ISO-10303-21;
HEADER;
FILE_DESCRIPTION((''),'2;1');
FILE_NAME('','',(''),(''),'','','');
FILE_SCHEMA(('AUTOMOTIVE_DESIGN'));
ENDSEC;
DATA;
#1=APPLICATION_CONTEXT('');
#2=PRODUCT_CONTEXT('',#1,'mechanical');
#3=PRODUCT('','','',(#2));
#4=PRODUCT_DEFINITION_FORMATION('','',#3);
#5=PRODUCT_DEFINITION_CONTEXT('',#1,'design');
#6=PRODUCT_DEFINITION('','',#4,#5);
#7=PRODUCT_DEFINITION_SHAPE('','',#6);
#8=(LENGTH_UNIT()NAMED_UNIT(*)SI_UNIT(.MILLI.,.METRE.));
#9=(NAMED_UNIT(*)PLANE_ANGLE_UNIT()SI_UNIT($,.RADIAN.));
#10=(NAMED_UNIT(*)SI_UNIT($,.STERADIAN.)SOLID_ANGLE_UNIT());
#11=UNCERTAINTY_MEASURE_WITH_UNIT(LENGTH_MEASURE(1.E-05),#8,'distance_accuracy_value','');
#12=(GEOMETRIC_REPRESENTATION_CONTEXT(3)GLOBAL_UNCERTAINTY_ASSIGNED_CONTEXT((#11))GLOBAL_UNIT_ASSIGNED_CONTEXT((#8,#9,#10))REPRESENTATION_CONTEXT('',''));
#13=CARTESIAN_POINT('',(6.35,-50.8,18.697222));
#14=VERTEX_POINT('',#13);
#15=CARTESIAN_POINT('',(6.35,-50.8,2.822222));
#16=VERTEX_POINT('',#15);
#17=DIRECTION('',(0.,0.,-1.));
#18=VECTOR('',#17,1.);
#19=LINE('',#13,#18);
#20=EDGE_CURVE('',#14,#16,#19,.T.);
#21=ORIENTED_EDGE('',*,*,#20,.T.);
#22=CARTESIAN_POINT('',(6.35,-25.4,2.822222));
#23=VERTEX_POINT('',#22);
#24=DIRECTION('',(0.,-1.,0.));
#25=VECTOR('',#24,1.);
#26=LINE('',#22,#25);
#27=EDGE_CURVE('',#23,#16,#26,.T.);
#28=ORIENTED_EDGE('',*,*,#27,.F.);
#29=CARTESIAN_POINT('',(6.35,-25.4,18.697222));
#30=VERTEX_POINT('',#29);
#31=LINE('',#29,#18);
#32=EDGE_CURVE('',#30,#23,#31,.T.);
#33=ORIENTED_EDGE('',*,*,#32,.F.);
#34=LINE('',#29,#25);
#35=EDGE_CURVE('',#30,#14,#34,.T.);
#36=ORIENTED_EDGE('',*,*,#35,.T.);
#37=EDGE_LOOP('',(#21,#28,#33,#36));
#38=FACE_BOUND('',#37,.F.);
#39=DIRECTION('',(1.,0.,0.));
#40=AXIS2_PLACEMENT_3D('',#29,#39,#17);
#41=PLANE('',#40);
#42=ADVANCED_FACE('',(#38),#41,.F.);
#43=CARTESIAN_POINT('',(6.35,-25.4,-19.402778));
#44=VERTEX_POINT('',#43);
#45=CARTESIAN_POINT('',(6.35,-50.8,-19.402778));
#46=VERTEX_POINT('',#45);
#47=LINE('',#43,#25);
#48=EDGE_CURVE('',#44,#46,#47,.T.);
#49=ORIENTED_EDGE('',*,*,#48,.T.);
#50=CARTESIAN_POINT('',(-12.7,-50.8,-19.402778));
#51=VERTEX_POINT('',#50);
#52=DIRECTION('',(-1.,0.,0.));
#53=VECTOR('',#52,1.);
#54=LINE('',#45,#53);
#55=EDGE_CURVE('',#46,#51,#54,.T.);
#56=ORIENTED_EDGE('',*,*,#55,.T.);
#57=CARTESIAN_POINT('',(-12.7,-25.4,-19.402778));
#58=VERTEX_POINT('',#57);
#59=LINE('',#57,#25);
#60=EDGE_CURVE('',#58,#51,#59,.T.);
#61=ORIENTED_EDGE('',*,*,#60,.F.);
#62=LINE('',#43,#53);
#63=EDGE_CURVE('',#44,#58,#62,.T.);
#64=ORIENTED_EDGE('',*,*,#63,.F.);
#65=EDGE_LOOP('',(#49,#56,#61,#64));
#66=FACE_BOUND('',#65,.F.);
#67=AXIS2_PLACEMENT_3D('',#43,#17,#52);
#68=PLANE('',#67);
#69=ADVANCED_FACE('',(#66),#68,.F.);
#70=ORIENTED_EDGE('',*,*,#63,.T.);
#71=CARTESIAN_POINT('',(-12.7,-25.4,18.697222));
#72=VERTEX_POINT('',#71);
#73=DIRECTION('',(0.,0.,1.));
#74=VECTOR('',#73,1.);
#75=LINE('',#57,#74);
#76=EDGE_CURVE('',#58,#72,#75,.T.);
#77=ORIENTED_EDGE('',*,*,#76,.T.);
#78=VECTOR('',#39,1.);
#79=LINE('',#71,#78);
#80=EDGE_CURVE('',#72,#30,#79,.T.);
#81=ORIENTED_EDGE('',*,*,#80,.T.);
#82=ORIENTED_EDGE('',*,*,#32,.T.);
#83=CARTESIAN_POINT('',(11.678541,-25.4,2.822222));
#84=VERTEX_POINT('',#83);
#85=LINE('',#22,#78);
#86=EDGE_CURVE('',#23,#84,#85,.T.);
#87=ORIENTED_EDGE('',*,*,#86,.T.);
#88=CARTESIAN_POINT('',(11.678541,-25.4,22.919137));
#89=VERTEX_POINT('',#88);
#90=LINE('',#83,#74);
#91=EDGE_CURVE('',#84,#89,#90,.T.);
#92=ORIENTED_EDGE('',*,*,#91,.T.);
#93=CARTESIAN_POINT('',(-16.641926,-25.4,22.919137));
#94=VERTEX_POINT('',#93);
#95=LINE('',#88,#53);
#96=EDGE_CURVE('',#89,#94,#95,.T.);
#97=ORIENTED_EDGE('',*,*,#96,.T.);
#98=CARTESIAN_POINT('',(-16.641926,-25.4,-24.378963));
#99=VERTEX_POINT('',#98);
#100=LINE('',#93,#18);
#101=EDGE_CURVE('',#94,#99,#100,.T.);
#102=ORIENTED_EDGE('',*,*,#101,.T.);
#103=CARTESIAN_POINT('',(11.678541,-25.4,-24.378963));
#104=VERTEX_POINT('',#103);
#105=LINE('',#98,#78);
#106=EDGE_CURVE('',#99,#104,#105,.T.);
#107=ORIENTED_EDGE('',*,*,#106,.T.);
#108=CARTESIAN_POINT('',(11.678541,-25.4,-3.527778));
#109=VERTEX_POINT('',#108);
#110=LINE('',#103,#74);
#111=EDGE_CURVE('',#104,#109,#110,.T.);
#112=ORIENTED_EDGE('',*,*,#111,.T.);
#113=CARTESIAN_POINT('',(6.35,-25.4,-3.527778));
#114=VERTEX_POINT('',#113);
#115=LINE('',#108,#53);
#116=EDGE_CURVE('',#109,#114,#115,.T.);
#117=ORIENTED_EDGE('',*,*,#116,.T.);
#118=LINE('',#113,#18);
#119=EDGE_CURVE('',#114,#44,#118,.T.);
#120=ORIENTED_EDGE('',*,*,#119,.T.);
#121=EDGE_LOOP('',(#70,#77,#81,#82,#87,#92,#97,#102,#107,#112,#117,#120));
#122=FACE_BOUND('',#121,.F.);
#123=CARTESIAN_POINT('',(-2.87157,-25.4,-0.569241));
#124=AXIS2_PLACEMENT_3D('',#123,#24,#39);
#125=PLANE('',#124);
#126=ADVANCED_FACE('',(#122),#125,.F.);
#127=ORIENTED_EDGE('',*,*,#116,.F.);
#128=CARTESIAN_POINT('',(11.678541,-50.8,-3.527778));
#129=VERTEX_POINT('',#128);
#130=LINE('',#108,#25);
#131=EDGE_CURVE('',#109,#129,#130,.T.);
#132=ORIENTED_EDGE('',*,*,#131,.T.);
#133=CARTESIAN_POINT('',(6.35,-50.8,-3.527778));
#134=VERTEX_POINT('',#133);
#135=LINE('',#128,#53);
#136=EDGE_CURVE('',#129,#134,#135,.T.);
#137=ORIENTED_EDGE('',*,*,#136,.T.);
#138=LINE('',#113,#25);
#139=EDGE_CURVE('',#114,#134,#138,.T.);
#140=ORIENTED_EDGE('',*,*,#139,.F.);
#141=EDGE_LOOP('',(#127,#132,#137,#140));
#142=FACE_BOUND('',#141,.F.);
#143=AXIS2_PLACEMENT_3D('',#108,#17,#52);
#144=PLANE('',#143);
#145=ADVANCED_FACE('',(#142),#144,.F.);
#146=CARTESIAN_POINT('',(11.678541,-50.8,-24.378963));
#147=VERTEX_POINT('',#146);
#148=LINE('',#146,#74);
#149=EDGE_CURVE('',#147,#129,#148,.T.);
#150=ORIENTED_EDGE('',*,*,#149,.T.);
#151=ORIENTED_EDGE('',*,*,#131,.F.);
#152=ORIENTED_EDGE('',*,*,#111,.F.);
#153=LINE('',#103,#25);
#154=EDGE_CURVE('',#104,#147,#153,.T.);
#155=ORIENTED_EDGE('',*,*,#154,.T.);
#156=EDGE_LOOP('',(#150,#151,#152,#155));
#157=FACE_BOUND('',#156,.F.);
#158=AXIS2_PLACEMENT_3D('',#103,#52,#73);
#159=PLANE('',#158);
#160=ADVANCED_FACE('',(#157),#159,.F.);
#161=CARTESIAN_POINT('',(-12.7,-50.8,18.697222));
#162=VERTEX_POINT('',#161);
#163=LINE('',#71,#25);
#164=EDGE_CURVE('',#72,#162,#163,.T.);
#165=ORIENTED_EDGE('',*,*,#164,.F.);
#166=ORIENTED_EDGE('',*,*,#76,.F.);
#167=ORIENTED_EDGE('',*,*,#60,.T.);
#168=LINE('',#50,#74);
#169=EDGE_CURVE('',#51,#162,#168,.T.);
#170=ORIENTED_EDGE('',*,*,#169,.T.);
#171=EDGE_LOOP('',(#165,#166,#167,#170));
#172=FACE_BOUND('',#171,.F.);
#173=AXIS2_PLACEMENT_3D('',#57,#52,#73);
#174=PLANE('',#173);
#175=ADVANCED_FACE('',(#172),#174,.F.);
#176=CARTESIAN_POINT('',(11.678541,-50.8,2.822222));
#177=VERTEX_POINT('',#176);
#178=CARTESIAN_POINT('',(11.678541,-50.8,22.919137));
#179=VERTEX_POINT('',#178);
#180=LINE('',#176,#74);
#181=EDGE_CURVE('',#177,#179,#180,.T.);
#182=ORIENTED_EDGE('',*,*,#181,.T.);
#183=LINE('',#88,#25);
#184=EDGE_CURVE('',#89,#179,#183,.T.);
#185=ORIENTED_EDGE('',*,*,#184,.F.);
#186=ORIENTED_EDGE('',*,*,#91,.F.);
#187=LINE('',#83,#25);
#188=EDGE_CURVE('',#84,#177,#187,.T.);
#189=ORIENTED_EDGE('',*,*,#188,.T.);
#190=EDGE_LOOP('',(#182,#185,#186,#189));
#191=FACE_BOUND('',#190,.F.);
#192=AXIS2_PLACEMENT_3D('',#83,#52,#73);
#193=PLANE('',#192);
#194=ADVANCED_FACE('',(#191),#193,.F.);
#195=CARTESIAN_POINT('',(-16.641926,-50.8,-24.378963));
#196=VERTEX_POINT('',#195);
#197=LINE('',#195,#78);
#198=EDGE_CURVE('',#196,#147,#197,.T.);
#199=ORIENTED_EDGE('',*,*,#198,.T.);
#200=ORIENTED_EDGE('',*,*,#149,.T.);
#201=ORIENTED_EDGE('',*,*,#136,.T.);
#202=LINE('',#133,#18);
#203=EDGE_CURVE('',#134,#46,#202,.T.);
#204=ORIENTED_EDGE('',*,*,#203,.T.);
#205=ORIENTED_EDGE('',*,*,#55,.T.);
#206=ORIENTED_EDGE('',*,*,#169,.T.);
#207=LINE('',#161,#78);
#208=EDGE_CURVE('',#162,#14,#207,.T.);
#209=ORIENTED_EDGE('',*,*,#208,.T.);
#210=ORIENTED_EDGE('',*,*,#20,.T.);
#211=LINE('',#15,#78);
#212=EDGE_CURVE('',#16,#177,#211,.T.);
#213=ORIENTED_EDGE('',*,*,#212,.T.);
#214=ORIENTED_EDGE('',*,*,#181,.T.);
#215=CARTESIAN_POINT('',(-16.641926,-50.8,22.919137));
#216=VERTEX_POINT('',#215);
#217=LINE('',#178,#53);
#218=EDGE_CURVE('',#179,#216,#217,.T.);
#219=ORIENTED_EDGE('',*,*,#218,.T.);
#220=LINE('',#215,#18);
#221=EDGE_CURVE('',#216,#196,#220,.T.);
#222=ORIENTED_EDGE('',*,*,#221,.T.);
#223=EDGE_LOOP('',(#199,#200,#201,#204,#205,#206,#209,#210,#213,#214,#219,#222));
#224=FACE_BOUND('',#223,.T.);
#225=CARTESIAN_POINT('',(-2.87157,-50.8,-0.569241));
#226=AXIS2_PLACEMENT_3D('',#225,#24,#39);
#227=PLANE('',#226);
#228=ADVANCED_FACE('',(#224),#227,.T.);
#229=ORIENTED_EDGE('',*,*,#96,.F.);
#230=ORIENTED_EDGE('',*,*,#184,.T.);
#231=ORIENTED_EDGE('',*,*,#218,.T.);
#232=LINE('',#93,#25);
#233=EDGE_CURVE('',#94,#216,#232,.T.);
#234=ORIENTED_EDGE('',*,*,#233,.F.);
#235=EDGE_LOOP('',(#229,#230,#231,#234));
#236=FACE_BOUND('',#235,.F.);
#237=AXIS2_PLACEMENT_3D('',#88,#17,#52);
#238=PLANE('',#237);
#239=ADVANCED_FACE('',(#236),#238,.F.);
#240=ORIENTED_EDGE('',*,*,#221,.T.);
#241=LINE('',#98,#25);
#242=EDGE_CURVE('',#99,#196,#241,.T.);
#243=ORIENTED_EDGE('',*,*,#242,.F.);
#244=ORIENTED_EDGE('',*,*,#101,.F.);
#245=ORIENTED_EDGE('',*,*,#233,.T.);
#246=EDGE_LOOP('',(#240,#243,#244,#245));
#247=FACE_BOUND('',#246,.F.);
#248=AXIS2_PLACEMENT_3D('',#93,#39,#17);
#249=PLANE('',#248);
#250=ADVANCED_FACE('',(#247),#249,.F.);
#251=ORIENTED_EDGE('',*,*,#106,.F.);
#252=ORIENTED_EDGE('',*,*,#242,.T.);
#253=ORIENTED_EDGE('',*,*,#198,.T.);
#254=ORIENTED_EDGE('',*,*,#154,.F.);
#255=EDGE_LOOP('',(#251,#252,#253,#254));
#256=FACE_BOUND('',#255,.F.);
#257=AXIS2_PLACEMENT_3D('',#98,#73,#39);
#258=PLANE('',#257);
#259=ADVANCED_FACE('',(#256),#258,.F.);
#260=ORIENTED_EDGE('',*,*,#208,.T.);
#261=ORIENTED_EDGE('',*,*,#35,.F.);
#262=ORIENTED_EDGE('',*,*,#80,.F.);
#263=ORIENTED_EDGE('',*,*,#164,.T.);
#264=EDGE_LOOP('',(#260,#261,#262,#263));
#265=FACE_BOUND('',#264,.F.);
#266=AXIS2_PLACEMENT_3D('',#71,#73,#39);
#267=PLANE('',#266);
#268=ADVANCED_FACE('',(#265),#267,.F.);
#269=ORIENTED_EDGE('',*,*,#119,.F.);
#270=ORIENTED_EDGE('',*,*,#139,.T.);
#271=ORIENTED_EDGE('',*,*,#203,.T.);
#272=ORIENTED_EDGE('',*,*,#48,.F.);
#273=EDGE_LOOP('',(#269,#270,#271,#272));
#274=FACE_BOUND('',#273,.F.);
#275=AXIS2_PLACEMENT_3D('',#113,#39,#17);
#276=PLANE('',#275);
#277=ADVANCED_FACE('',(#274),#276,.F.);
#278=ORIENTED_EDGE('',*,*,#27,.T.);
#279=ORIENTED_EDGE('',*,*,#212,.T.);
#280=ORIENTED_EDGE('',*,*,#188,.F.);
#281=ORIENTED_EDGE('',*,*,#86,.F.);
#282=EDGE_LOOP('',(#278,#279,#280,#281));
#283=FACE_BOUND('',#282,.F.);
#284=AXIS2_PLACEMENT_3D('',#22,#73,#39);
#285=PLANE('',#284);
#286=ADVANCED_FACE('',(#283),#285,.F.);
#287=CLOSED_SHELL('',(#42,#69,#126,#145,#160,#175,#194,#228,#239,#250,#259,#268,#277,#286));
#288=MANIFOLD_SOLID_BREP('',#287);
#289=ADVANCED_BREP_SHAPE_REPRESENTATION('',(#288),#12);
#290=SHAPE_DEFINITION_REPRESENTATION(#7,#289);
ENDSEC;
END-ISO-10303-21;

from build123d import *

# Parameters (mm, degrees)
F2_DEPTH = 25.4


with BuildPart() as f2:
    # F1 (on offset) → F2 (new body)
    with BuildSketch(Plane.XZ.offset(25.4)):
        Polygon((-12.7, -19.402778), (-12.7, 18.697222), (6.35, 18.697222), (6.35, 2.822222), (11.678541, 2.822222), (11.678541, 22.919137), (-16.641926, 22.919137), (-16.641926, -24.378963), (11.678541, -24.378963), (11.678541, -3.527778), (6.35, -3.527778), (6.35, -19.402778), align=None)
    extrude(amount=F2_DEPTH)


solid = f2.part
